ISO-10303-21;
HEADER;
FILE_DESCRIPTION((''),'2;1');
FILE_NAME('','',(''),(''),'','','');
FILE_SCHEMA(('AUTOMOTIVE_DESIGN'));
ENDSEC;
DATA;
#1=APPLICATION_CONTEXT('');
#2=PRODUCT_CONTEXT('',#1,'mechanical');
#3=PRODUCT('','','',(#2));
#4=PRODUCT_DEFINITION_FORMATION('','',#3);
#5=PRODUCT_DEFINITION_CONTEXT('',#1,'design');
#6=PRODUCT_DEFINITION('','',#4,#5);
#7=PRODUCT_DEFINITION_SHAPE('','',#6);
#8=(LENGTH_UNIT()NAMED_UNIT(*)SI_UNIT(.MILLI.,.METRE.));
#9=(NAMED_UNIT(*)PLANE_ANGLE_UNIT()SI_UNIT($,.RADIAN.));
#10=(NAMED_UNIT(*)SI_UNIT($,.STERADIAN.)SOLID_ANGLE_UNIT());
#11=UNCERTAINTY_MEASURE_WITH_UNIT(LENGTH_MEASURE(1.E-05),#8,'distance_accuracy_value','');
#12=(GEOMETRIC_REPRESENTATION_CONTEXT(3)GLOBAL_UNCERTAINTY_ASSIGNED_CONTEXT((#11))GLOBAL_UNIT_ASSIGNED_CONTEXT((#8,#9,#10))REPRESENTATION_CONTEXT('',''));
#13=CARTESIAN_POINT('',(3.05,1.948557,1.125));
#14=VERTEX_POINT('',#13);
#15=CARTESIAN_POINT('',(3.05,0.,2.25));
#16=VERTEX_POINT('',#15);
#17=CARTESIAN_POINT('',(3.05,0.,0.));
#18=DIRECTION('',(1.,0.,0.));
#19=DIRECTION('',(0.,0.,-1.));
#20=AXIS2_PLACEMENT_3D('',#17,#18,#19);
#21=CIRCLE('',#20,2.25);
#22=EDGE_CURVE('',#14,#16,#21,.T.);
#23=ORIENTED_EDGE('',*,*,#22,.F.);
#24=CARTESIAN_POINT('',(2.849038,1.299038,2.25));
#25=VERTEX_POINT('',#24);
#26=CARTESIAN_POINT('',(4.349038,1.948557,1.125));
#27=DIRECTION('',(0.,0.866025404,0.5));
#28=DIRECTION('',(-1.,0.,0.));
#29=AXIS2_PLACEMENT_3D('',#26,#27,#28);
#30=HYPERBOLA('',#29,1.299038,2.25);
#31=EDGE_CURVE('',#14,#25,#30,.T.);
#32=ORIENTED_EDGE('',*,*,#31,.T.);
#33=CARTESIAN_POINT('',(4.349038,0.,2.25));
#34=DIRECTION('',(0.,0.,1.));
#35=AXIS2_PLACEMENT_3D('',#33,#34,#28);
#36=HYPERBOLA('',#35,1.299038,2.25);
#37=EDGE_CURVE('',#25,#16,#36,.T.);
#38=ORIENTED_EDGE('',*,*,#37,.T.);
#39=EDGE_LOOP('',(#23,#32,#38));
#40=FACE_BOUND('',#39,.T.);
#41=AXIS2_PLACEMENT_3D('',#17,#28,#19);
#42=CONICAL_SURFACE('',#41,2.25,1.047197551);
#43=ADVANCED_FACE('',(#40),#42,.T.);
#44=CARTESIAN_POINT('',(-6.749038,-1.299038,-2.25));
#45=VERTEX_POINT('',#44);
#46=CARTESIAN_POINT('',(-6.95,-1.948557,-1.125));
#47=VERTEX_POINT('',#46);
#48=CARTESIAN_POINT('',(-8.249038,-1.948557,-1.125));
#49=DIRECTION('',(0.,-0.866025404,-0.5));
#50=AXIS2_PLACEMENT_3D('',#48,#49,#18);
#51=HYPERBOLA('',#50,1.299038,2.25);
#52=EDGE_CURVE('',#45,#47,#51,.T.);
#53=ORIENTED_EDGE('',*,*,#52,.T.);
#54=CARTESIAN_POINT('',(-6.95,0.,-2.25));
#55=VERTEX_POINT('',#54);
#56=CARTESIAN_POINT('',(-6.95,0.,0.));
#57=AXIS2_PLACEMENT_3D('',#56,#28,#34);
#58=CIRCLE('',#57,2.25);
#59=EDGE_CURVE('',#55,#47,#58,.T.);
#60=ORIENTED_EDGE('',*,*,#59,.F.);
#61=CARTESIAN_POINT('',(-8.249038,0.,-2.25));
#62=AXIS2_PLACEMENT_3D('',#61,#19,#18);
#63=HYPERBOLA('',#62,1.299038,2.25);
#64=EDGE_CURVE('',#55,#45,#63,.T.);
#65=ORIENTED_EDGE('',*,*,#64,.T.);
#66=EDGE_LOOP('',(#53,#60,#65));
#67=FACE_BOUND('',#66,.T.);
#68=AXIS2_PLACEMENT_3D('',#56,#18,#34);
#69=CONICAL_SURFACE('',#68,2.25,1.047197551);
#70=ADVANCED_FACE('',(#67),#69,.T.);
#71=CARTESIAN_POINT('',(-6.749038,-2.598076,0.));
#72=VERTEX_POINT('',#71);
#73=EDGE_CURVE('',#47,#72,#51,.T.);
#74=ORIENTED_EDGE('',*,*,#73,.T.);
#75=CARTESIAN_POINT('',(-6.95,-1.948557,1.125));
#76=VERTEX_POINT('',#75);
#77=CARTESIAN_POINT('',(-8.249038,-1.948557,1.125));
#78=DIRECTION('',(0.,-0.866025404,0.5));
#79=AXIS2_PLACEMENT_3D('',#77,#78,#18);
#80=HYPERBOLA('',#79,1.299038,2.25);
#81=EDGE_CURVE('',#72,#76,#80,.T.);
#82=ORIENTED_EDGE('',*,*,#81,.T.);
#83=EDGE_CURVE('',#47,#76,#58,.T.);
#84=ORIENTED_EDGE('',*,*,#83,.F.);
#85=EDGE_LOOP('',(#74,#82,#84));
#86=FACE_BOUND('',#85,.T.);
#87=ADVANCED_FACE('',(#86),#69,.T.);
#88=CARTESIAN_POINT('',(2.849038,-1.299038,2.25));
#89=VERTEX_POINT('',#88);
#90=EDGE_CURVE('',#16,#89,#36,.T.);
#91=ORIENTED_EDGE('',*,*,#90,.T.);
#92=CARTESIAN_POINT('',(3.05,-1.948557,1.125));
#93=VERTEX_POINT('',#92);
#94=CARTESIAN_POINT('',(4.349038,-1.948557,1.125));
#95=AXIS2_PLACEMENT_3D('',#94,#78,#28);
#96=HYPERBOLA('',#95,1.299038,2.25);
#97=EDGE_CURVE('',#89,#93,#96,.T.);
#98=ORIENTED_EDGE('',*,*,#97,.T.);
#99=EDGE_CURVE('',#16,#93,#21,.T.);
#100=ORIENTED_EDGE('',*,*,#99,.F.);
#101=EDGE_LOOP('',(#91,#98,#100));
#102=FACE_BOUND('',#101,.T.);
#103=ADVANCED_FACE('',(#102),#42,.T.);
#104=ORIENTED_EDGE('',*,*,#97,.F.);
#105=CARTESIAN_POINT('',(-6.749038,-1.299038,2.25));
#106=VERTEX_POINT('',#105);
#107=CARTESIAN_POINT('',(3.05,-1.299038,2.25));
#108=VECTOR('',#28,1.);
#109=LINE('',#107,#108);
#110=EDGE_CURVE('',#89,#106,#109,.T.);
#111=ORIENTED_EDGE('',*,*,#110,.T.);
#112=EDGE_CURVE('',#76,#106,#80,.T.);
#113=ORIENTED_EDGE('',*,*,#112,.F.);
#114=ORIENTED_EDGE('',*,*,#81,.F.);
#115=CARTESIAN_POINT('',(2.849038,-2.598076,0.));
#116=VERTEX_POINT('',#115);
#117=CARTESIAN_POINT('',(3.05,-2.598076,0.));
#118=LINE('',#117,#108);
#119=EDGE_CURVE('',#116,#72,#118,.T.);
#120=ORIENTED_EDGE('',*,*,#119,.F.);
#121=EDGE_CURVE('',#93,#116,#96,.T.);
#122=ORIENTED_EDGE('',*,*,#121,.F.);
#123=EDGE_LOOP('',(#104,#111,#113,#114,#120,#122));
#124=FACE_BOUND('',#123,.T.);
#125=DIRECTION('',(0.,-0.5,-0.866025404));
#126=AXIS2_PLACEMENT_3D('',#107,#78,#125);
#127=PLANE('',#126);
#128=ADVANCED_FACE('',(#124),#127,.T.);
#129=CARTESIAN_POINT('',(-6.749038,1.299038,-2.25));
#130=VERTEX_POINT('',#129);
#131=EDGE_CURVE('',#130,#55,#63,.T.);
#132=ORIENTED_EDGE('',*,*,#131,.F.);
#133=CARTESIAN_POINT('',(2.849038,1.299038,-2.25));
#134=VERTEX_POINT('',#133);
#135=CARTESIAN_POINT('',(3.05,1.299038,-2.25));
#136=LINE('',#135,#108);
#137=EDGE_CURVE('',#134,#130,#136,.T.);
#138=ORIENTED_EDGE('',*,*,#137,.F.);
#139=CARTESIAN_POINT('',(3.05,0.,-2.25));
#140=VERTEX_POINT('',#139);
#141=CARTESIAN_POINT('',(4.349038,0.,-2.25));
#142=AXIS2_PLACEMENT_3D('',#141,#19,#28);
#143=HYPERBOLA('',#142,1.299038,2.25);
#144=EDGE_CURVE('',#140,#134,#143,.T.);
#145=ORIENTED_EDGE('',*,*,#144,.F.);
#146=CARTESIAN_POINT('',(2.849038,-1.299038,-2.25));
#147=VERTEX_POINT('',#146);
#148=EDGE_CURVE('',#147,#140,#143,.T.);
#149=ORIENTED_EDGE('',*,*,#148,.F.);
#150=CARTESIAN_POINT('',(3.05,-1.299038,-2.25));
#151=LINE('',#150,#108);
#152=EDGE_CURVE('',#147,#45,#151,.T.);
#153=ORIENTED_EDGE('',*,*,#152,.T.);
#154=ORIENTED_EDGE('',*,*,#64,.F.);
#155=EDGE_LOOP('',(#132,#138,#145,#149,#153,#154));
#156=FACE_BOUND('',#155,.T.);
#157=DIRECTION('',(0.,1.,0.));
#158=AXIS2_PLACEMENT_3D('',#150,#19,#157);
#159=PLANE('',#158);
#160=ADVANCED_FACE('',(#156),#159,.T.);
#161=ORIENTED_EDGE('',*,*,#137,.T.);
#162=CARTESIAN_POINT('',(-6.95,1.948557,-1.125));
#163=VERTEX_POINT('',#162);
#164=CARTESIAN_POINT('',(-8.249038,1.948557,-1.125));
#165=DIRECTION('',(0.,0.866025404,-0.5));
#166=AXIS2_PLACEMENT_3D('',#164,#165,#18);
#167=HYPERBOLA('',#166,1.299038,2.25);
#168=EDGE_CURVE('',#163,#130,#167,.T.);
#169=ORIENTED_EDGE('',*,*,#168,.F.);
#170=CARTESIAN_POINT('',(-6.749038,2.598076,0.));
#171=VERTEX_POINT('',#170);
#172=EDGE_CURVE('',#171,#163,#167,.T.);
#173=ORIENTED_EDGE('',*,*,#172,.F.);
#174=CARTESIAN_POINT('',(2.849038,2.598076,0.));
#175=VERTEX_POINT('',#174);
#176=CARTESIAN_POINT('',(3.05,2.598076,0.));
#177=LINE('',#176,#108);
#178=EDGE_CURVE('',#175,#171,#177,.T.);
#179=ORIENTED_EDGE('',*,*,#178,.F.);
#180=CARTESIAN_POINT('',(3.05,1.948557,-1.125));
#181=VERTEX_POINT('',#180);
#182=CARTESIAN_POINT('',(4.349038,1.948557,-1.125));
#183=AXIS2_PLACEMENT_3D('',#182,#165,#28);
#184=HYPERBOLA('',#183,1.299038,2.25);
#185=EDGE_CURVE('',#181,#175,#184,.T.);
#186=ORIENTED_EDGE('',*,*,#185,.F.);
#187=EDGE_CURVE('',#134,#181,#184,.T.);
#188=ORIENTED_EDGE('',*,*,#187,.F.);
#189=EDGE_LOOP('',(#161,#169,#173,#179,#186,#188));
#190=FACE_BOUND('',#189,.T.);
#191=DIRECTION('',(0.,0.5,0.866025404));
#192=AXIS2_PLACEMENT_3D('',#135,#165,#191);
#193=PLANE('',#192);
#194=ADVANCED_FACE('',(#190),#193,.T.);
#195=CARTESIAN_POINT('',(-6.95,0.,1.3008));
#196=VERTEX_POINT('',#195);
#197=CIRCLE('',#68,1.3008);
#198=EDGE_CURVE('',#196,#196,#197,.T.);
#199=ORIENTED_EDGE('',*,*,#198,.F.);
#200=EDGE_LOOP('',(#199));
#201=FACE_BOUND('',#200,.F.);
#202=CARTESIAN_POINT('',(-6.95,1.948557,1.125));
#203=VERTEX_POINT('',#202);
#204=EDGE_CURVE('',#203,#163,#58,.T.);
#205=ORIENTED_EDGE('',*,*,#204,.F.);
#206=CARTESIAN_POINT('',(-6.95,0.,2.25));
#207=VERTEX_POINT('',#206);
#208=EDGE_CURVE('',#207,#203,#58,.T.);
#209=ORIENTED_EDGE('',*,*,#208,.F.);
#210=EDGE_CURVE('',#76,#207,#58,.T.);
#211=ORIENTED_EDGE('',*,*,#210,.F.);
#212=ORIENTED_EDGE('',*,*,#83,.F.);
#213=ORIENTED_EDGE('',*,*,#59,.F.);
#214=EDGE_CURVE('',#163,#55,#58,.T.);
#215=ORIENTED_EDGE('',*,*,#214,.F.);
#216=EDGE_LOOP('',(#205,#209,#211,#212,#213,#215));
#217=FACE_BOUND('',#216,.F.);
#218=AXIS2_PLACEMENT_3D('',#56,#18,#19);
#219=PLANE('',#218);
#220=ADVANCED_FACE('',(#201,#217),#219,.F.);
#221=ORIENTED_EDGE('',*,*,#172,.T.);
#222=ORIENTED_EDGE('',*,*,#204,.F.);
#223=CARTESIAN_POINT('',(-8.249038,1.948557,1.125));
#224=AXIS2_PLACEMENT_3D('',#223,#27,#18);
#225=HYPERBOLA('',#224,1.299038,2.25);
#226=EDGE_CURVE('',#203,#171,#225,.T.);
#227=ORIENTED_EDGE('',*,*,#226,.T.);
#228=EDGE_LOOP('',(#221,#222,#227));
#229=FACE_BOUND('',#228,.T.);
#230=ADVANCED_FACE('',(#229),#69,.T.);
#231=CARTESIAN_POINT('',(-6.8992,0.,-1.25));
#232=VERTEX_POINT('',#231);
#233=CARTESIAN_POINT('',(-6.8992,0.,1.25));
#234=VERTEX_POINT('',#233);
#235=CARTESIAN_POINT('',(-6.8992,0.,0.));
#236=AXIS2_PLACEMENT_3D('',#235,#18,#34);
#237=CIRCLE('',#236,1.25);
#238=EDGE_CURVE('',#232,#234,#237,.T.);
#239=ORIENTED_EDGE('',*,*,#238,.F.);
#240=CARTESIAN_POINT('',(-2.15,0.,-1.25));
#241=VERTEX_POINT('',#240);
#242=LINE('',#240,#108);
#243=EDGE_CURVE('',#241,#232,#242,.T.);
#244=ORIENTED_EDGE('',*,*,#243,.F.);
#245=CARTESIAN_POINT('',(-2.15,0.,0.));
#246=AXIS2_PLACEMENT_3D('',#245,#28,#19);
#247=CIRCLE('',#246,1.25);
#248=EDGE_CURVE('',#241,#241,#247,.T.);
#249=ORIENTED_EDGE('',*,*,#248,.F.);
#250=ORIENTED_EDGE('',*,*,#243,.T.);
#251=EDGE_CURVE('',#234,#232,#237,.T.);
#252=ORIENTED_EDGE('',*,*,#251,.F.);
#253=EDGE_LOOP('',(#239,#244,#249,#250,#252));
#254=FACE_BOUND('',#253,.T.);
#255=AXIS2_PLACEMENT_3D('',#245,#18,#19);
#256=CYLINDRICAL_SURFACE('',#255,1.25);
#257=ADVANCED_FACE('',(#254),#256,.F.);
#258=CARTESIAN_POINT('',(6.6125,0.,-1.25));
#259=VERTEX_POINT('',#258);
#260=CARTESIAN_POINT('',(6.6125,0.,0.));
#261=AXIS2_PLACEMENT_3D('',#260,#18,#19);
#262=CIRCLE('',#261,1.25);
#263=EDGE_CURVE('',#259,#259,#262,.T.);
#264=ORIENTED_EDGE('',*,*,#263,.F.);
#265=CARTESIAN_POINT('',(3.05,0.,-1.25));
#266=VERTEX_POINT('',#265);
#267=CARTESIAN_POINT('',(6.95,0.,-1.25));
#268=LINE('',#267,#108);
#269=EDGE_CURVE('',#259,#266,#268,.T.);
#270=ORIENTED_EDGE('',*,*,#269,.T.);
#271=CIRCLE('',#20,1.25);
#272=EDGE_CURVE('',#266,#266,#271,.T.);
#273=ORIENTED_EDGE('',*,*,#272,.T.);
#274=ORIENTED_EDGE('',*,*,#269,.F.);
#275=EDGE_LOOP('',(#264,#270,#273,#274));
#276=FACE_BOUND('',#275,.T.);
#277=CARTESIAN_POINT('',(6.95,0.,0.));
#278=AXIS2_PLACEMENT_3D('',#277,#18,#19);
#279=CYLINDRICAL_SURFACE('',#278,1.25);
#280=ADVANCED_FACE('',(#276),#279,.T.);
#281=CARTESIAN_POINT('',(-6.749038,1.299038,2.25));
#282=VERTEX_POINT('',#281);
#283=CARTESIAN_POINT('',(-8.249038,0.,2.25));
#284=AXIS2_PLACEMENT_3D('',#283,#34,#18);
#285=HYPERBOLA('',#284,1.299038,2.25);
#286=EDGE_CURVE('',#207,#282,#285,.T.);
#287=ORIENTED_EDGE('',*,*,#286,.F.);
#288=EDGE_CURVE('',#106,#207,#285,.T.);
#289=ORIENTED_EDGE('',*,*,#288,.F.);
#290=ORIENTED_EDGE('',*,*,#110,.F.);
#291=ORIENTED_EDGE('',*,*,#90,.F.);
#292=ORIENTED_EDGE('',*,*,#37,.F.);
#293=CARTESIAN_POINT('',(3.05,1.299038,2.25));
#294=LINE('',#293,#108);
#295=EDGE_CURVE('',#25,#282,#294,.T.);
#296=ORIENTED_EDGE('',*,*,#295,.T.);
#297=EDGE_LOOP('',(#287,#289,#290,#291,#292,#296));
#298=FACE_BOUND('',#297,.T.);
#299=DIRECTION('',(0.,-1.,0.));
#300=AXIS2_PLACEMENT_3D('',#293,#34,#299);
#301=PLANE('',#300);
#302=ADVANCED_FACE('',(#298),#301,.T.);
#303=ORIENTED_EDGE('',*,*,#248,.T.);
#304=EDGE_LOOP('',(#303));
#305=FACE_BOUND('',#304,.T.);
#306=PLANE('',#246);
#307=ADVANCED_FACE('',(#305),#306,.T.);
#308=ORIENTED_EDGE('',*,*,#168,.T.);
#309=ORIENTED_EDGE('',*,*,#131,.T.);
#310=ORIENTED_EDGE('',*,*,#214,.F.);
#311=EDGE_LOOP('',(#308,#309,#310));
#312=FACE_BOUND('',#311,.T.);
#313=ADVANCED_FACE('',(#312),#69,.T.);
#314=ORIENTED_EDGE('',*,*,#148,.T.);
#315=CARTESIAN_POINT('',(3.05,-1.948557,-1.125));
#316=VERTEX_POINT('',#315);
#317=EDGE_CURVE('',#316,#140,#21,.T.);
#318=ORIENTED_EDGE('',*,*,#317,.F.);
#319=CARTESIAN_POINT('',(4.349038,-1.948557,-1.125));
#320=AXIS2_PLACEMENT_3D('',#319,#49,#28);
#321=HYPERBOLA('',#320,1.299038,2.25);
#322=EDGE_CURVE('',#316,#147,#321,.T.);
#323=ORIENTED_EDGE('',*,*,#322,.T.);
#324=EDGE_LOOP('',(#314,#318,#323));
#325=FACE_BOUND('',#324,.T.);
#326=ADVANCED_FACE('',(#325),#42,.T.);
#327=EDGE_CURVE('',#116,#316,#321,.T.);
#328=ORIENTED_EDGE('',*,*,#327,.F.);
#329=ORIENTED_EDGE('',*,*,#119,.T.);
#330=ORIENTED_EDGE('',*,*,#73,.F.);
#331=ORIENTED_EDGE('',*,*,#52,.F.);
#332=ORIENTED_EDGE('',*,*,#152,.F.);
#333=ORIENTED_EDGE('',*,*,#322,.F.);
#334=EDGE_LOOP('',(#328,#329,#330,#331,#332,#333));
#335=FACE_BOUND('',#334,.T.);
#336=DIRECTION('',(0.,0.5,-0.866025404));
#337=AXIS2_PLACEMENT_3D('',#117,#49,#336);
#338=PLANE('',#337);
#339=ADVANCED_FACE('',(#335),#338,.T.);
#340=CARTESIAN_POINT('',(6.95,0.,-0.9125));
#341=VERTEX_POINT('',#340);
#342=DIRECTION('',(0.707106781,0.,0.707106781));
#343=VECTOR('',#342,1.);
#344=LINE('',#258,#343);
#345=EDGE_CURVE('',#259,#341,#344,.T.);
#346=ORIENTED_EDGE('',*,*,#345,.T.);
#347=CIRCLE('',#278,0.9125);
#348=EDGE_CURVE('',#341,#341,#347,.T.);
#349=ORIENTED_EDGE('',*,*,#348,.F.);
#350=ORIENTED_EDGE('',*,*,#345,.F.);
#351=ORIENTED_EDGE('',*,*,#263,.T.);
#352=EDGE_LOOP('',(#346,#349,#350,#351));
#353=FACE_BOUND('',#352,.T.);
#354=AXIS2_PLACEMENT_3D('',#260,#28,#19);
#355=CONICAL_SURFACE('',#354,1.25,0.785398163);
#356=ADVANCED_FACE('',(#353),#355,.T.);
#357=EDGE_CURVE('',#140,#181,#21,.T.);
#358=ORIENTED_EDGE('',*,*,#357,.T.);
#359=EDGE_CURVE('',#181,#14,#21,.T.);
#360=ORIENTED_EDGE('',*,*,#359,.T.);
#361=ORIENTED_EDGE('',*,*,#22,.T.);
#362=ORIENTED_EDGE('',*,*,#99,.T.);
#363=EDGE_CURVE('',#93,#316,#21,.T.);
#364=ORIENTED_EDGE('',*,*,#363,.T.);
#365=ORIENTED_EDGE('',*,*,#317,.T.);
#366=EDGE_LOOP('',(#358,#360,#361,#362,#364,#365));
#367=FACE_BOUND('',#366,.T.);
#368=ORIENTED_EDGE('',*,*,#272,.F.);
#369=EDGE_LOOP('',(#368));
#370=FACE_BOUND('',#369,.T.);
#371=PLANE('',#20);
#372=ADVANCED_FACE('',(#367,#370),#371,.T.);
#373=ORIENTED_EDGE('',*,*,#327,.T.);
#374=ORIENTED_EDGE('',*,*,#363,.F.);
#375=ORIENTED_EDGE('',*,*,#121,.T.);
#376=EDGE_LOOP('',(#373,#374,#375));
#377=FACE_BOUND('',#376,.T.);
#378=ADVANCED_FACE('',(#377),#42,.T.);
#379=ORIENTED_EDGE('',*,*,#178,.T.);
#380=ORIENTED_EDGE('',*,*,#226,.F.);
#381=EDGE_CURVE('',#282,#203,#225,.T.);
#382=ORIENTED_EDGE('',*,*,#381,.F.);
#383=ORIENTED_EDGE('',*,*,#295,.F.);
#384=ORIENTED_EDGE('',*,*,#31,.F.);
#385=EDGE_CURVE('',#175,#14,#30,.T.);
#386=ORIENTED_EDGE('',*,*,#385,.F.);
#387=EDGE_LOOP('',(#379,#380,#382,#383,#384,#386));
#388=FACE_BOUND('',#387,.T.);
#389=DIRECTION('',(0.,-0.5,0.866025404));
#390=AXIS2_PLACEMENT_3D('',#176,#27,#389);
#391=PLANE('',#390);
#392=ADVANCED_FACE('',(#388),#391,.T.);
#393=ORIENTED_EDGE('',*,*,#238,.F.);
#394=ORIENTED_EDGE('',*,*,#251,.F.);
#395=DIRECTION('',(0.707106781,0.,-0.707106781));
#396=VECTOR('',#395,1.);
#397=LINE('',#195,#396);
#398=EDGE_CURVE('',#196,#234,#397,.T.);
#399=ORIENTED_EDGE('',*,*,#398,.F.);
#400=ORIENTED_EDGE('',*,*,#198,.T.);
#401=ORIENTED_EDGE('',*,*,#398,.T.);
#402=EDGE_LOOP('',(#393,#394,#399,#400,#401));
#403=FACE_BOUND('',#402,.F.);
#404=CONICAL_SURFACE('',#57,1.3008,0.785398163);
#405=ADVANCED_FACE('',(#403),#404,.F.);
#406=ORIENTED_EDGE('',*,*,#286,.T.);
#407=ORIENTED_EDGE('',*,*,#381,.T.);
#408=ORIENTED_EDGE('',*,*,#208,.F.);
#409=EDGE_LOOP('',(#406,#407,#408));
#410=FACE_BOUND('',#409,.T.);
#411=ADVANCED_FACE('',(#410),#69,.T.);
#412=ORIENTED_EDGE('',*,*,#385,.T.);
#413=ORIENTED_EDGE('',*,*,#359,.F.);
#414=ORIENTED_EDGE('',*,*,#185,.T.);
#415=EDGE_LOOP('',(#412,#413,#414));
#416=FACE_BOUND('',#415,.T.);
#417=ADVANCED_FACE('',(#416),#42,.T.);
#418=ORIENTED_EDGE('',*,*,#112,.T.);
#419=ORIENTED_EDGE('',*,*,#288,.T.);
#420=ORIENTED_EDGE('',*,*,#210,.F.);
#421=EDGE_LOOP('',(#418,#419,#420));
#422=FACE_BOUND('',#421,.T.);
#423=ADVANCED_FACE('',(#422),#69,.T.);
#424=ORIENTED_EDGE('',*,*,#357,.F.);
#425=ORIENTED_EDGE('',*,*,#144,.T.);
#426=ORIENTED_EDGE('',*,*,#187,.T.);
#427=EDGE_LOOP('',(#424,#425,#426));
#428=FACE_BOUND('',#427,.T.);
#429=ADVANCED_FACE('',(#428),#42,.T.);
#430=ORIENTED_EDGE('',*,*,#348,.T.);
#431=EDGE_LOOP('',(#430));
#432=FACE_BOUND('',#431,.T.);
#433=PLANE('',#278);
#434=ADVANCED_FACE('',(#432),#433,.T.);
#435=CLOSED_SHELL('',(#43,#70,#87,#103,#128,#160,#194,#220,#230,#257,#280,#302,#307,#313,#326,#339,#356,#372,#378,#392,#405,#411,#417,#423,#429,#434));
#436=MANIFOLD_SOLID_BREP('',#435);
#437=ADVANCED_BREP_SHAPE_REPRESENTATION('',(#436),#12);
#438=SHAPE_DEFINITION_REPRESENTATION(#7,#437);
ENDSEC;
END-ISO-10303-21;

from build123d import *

# Parameters (mm, degrees)
SKETCH2_R         = 1.25
EXTRUDE1_DEPTH    = 3.9
CHAMFER1_SIZE     = 0.3375
EXTRUDE4_DEPTH    = 10
SKETCH8_OUTSIDE_W = 62.666
SKETCH8_OUTSIDE_H = 63.362
SKETCH8_OUTSIDE_R = 2.25
EXTRUDE5_DEPTH    = 15.318606776
EXTRUDE5_DRAFT    = -60
SKETCH9_OUTSIDE_W = 49.696
SKETCH9_OUTSIDE_H = 50.392
SKETCH9_OUTSIDE_R = 2.25
EXTRUDE6_DEPTH    = 11.574142991
EXTRUDE6_DRAFT    = -60
EXTRUDE7_START    = -4.8
SKETCH10_R        = 1.25
EXTRUDE7_DEPTH    = 4.8
SKETCH13_R        = 1.3008
EXTRUDE8_DEPTH    = 15.318606776


with BuildPart() as part:
    # Sketch2 → Extrude1 (new body)
    with BuildSketch(Plane(origin=(6.95, 0, 0), x_dir=(0, 0, -1), z_dir=(1, 0, 0))):
        Circle(SKETCH2_R)
    extrude(amount=-EXTRUDE1_DEPTH)

    # Chamfer1
    chamfer1_edges = [part.edges().sort_by_distance(p)[0] for p in [
        (6.95, 0, 1.25),
    ]]
    chamfer(chamfer1_edges, length=CHAMFER1_SIZE)

    # Sketch7 → Extrude4 (add)
    with BuildSketch(Plane(origin=(3.05, 0, 0), x_dir=(0, 0, -1), z_dir=(1, 0, 0))):
        Polygon((0, 2.598076211), (-2.25, 1.299038106), (-2.25, -1.299038106), (0, -2.598076211), (2.25, -1.299038106), (2.25, 1.299038106), align=None)
    extrude(amount=-EXTRUDE4_DEPTH)


with BuildPart() as extrude5_tool:
    # Sketch8 outside → Extrude5 (with draft: the straight prism first)
    with BuildSketch(Plane.ZY.offset(6.95)):
        Rectangle(SKETCH8_OUTSIDE_W, SKETCH8_OUTSIDE_H)
        Circle(SKETCH8_OUTSIDE_R, mode=Mode.SUBTRACT)
    extrude(amount=-EXTRUDE5_DEPTH)
    # Extrude5: the draft: its side faces are tilted about the plane it starts from
    extrude5_sides = [extrude5_tool.faces().sort_by_distance(p)[0] for p in [
        (0.709303388, -31.681, 0),
        (0.709303388, 0, 31.333),
        (0.709303388, 31.681, 0),
        (0.709303388, 0, -31.333),
        (0.709303388, 0, -2.25),
    ]]
    draft(extrude5_sides, Plane.ZY.offset(6.95), EXTRUDE5_DRAFT)


with BuildPart() as part_1:
    add(part.part)

    # Extrude5: cut by extrude5_tool
    add(extrude5_tool.part, mode=Mode.SUBTRACT)


with BuildPart() as extrude6_tool:
    # Sketch9 outside → Extrude6 (with draft: the straight prism first)
    with BuildSketch(Plane(origin=(3.05, 0, 0), x_dir=(0, 0, -1), z_dir=(1, 0, 0))):
        Rectangle(SKETCH9_OUTSIDE_W, SKETCH9_OUTSIDE_H)
        Circle(SKETCH9_OUTSIDE_R, mode=Mode.SUBTRACT)
    extrude(amount=-EXTRUDE6_DEPTH)
    # Extrude6: the draft: its side faces are tilted about the plane it starts from
    extrude6_sides = [extrude6_tool.faces().sort_by_distance(p)[0] for p in [
        (-2.737071496, -25.196, 0),
        (-2.737071496, 0, -24.848),
        (-2.737071496, 25.196, 0),
        (-2.737071496, 0, 24.848),
        (-2.737071496, 0, 2.25),
    ]]
    draft(extrude6_sides, Plane(origin=(3.05, 0, 0), x_dir=(0, 0, -1), z_dir=(1, 0, 0)), EXTRUDE6_DRAFT)


with BuildPart() as part_2:
    add(part_1.part)

    # Extrude6: cut by extrude6_tool
    add(extrude6_tool.part, mode=Mode.SUBTRACT)

    # Sketch10 → Extrude7 (cut)
    with BuildSketch(Plane.ZY.offset(6.95).offset(EXTRUDE7_START)):
        with Locations(Location((0, 0, 0), (0, 0, 180))):
            Circle(SKETCH10_R)
    extrude(amount=EXTRUDE7_DEPTH, mode=Mode.SUBTRACT)

    # Sketch13 → Extrude8 (cut)
    with BuildSketch(Plane.ZY.offset(6.95)):
        Circle(SKETCH13_R)
    extrude(amount=EXTRUDE8_DEPTH, mode=Mode.SUBTRACT)

    # Extrude8 cone 1 section (through the dimple's axis) → Extrude8 other way (revolve, cut)
    with BuildSketch(Plane(origin=(-6.95, 0, 0), x_dir=(0, 0, 1), z_dir=(0, 1, 0))):
        Polygon((0, 0), (1.3008, 0), (0, 1.3008), align=None)
    revolve(axis=Axis((-6.95, 0, 0), (1, 0, 0)), mode=Mode.SUBTRACT)


solid = part_2.part
